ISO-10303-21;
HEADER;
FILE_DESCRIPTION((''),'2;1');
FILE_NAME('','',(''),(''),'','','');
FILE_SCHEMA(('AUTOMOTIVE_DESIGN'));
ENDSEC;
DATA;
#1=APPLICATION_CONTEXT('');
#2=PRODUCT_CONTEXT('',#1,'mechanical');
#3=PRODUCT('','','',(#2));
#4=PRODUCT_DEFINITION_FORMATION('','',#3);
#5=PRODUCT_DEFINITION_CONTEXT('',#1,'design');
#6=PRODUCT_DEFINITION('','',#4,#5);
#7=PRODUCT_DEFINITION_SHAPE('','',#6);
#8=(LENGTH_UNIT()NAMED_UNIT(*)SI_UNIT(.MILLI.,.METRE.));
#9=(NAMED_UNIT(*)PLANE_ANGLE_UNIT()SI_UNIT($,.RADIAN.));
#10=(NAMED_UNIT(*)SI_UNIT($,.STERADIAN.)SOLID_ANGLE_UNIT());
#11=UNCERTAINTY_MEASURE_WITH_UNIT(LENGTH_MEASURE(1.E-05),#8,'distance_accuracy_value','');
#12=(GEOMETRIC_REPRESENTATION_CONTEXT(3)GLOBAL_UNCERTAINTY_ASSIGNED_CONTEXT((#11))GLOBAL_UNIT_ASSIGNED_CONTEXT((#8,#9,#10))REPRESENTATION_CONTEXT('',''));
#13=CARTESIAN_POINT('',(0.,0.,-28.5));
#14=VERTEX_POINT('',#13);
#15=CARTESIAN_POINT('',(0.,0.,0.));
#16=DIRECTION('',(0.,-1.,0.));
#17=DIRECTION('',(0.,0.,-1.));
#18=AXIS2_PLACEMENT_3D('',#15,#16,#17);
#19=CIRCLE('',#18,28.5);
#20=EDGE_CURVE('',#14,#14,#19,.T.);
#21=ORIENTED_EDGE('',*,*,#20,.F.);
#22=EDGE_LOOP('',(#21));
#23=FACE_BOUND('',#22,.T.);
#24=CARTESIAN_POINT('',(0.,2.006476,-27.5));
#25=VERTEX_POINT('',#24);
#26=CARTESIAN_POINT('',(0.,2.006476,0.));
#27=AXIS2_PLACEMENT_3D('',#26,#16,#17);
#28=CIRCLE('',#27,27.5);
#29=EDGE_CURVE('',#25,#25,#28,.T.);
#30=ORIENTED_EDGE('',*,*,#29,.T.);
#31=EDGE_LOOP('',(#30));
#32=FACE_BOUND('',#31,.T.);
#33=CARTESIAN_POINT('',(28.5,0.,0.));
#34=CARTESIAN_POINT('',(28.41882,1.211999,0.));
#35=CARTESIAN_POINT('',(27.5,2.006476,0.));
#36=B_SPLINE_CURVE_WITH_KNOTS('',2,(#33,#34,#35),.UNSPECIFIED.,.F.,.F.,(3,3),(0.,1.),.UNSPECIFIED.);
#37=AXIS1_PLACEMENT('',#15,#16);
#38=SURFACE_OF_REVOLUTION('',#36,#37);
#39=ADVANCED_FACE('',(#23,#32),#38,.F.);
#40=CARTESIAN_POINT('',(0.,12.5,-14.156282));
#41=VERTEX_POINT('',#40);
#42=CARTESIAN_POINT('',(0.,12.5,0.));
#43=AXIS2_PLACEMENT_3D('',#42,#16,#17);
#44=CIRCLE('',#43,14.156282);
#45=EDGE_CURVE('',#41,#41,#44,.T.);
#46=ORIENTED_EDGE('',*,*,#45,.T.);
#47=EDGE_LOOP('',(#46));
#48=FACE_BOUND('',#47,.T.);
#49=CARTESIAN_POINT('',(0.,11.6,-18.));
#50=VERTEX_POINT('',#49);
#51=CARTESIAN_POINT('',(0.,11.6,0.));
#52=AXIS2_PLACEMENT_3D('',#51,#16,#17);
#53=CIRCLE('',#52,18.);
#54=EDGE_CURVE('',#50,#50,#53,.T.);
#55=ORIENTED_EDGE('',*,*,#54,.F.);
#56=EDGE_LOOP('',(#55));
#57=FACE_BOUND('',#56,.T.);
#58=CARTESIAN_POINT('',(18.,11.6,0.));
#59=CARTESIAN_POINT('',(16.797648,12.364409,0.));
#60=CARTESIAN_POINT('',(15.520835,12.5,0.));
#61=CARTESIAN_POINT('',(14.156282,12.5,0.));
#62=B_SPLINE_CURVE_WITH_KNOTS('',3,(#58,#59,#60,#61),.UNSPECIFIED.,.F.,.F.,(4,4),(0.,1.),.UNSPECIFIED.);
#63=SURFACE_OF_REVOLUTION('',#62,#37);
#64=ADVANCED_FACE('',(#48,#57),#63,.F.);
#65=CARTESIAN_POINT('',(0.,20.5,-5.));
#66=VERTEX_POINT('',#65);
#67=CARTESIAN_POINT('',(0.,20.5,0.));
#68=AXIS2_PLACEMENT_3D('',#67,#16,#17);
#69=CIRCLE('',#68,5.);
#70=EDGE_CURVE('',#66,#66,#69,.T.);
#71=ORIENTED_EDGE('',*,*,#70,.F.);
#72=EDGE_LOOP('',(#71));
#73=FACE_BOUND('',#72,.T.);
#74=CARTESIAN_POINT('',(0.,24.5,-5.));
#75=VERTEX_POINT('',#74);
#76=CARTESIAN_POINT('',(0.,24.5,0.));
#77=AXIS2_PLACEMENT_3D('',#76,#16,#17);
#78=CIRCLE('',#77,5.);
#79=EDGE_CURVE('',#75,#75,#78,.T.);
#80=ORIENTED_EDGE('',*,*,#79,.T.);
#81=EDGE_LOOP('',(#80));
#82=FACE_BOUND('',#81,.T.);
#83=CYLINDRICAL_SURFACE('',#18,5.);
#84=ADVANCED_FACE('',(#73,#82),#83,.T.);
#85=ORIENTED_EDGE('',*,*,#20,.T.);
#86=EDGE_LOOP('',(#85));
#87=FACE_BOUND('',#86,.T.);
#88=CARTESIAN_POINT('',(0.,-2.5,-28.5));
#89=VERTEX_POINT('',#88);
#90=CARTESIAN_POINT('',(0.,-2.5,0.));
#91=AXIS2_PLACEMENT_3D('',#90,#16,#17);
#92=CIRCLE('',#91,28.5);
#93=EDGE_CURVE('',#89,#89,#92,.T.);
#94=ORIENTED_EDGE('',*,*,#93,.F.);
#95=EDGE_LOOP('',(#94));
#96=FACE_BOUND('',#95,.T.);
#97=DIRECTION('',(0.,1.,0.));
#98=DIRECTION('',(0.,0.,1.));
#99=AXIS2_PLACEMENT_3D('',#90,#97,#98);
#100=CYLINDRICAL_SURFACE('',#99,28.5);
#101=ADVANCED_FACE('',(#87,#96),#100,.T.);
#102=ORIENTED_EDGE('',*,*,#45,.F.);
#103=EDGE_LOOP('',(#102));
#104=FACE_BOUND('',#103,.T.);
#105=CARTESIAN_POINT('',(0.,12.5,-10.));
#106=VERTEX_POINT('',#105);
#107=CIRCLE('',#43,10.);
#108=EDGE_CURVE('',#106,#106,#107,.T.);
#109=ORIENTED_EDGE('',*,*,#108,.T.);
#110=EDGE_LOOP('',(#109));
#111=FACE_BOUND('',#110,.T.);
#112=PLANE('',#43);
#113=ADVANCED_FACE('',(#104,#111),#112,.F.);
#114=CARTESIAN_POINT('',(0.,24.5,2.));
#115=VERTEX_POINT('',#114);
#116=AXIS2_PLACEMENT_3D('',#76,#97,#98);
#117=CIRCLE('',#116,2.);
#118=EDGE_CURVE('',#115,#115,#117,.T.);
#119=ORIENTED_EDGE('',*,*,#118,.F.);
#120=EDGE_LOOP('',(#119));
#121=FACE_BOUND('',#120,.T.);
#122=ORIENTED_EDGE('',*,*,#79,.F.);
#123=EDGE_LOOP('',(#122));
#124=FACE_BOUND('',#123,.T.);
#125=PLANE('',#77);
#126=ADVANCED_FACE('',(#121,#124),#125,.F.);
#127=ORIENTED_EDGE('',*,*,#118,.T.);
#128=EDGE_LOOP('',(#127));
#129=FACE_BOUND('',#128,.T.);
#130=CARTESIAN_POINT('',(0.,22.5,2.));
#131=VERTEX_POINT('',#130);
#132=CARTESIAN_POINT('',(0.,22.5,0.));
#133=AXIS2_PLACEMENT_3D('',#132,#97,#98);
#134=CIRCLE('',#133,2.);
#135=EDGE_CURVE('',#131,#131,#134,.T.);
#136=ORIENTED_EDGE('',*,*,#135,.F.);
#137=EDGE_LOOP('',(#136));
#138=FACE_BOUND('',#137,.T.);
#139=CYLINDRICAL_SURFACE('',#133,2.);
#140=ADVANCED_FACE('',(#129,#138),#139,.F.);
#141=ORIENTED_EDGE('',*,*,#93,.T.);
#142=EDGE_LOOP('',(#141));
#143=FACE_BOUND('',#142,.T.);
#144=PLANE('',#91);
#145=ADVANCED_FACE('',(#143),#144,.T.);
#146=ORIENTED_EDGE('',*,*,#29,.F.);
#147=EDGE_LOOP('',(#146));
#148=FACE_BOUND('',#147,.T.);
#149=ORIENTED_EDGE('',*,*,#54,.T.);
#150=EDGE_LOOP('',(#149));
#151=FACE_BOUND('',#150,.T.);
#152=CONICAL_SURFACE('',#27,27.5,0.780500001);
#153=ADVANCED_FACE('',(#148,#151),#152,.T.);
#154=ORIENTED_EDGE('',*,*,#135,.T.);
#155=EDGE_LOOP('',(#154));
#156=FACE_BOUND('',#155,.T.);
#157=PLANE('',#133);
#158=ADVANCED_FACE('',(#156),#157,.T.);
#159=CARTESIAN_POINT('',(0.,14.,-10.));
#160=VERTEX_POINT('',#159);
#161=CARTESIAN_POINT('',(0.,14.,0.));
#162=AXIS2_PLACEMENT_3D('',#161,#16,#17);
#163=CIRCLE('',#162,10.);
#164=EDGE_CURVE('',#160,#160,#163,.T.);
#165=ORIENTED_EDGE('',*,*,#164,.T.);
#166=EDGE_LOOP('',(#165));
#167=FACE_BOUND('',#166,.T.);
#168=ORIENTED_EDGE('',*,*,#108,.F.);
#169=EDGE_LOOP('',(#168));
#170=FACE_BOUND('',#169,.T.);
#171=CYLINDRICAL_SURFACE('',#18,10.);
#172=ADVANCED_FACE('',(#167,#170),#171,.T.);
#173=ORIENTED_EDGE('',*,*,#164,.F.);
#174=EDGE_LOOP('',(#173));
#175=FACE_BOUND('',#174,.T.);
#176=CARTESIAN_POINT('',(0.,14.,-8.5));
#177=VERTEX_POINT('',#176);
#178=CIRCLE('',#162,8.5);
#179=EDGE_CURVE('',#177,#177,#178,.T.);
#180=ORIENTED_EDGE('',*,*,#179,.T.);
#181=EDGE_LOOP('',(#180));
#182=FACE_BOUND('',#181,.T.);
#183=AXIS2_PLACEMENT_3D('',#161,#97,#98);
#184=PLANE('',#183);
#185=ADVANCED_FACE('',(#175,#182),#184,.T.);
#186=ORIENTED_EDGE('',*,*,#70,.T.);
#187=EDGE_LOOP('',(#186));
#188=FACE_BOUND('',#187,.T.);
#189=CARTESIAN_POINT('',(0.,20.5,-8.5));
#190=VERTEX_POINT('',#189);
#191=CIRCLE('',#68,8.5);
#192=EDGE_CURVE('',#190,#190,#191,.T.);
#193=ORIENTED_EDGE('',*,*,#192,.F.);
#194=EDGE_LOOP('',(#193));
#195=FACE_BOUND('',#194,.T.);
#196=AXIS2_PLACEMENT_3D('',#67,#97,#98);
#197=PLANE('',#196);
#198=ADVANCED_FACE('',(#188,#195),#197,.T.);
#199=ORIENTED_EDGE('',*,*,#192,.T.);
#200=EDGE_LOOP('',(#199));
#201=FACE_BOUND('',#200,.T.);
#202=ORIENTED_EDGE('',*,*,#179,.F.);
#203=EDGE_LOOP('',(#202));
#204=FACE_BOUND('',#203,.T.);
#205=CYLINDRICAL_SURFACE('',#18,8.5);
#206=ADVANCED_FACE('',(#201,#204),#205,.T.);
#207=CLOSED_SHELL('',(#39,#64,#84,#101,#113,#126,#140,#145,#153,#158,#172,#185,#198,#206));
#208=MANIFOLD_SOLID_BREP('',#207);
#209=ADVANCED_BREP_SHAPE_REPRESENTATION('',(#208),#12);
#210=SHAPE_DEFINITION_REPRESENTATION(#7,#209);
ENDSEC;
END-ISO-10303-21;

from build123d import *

# Parameters (mm, degrees)
SKETCH_1_W          = 5
SKETCH_1_H          = 4
SKETCH_2_R          = 28.5
EXTRUDE_1_DEPTH     = 2.5
SKETCH_3_R          = 2
CUT_EXTRUDE_1_DEPTH = 2


with BuildPart() as part:
    # 草图1 → 旋转1 (revolve)
    with BuildSketch(Plane.XY, mode=Mode.PRIVATE) as revolve_1_sk:
        with Locations((2.5, 22.5)):
            Rectangle(SKETCH_1_W, SKETCH_1_H)
        Polygon((0, 20.5), (0, 14), (8.5, 14), (8.5, 20.5), (5, 20.5), align=None)
        Polygon((0, 14), (0, 12.5), (10, 12.5), (10, 14), (8.5, 14), align=None)
        with BuildLine():
            Line((0, 12.5), (0, 11.6))
            Line((0, 11.6), (18, 11.6))
            add(Edge.make_bspline(
                [(18, 11.6), (16.79764846, 12.364408857), (15.52083483, 12.5), (14.156281908, 12.5)],
                knots=[0, 0, 0, 0, 1, 1, 1, 1], degree=3))
            Line((14.156281908, 12.5), (10, 12.5))
            Line((10, 12.5), (0, 12.5))
        make_face()
        Polygon((0, 11.6), (0, 2.006476073), (27.5, 2.006476073), (18, 11.6), align=None)
        with BuildLine():
            Line((0, 2.006476073), (0, 0))
            Line((0, 0), (28.5, 0))
            add(Edge.make_bspline(
                [(28.5, 0), (28.41881975, 1.211999363), (27.5, 2.006476073)],
                knots=[0, 0, 0, 1, 1, 1], degree=2))
            Line((27.5, 2.006476073), (0, 2.006476073))
        make_face()
    revolve(revolve_1_sk.sketch.rotate(Axis((0, 0, 0), (0, 1, 0)), 90), axis=Axis((0, 0, 0), (0, 1, 0)))

    # 草图2 → 凸台-拉伸1 (add)
    with BuildSketch(Plane.XZ):
        with Locations(Location((0, 0, 0), (0, 0, 270))):
            Circle(SKETCH_2_R)
    extrude(amount=EXTRUDE_1_DEPTH)

    # 草图3 → 切除-拉伸1 (cut)
    with BuildSketch(Plane(origin=(0, 24.5, 0), x_dir=(1, 0, 0), z_dir=(0, 1, 0))):
        with Locations(Location((0, 0, 0), (0, 0, 270))):
            Circle(SKETCH_3_R)
    extrude(amount=-CUT_EXTRUDE_1_DEPTH, mode=Mode.SUBTRACT)


solid = part.part
